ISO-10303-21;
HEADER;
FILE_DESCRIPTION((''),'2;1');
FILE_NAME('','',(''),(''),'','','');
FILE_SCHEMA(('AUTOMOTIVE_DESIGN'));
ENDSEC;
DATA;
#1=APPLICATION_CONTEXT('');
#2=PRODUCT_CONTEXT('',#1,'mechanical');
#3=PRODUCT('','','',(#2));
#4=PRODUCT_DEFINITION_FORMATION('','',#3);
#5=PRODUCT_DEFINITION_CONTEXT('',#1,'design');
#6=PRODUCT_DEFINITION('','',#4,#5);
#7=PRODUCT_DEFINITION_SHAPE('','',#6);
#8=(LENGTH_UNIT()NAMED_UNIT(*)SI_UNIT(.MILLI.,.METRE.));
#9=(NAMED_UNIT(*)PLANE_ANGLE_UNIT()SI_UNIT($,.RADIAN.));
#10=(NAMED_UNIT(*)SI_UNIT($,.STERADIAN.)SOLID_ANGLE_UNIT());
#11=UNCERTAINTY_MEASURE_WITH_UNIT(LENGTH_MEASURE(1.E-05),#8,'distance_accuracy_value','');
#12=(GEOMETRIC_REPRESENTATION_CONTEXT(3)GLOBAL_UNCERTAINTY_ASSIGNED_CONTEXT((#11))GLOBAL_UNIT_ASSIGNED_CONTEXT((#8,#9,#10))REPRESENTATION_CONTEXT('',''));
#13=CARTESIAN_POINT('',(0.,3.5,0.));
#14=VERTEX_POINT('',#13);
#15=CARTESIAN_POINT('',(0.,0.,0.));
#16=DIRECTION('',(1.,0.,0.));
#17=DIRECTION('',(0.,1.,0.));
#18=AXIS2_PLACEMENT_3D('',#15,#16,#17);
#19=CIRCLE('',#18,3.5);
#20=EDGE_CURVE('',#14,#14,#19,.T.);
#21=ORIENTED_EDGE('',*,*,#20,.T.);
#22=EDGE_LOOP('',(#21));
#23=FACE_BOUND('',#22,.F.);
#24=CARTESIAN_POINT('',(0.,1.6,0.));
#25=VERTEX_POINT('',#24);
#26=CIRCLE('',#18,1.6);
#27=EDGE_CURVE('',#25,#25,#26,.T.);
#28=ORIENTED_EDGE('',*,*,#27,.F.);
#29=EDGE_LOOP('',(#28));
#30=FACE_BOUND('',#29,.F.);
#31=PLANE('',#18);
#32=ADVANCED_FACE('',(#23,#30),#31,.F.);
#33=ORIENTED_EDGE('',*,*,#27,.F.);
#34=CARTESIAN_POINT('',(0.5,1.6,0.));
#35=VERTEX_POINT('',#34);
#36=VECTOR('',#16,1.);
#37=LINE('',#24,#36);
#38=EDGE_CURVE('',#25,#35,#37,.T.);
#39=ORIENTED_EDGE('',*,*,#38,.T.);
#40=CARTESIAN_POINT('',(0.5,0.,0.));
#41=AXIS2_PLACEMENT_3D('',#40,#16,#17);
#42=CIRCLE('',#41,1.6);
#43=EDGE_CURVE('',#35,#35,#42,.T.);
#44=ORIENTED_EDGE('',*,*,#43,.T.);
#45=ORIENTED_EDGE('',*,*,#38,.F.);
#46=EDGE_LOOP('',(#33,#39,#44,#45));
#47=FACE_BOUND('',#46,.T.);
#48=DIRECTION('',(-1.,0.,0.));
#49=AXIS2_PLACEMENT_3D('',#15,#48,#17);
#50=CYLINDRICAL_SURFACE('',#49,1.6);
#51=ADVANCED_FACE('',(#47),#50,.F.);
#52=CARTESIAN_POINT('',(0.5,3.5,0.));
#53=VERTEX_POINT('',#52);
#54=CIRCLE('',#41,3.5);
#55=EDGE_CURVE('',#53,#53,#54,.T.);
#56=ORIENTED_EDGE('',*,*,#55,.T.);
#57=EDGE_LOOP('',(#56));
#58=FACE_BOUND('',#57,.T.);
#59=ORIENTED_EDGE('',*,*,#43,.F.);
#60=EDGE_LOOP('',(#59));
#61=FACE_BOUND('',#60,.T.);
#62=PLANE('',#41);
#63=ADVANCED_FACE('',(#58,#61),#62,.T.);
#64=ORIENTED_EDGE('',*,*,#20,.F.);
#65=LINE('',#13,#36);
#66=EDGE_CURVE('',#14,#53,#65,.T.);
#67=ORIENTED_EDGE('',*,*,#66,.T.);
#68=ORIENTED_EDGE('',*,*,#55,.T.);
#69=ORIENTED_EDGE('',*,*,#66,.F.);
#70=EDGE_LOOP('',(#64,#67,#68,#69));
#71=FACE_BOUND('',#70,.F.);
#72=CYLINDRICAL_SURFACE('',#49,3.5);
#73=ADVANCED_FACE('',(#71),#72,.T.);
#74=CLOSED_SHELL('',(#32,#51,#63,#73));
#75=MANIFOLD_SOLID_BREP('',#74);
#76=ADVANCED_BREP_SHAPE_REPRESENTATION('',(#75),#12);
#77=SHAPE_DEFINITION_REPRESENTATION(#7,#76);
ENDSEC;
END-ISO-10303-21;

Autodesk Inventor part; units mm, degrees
ref_plane "YZ Plane" through (0, 0, 0) normal (1, 0, 0) x (0, 1, 0)
ref_plane "XZ Plane" through (0, 0, 0) normal (0, 1, 0) x (-1, 0, 0)
sketch "Sketch" plane through (0, 0, 0) normal (1, 0, 0) x (0, 1, 0)
  circle A0 centre (0, 0) radius 3.5
  circle A1 centre (0, 0) radius 1.6
  dimension "d0" = 3.2
  dimension "d1" = 7
extrude "Body" add sketch "Sketch" along normal blind 0.5
ref_plane "Work Plane1" through (0, 0, 0) normal (0, 0, 1) x (1, 0, 0)
equation "\"d0\" = SD1"
equation "\"d1\" = SD2"
equation "\"d2\" = SD"
equation "\"SD1\" = 3.2"
equation "\"SD2\" = 7"
equation "\"SD\" = 0.5"
equation "\"NND\" = 3"
properties part number "ISO 7089 - 3" material "ステンレス鋼"
